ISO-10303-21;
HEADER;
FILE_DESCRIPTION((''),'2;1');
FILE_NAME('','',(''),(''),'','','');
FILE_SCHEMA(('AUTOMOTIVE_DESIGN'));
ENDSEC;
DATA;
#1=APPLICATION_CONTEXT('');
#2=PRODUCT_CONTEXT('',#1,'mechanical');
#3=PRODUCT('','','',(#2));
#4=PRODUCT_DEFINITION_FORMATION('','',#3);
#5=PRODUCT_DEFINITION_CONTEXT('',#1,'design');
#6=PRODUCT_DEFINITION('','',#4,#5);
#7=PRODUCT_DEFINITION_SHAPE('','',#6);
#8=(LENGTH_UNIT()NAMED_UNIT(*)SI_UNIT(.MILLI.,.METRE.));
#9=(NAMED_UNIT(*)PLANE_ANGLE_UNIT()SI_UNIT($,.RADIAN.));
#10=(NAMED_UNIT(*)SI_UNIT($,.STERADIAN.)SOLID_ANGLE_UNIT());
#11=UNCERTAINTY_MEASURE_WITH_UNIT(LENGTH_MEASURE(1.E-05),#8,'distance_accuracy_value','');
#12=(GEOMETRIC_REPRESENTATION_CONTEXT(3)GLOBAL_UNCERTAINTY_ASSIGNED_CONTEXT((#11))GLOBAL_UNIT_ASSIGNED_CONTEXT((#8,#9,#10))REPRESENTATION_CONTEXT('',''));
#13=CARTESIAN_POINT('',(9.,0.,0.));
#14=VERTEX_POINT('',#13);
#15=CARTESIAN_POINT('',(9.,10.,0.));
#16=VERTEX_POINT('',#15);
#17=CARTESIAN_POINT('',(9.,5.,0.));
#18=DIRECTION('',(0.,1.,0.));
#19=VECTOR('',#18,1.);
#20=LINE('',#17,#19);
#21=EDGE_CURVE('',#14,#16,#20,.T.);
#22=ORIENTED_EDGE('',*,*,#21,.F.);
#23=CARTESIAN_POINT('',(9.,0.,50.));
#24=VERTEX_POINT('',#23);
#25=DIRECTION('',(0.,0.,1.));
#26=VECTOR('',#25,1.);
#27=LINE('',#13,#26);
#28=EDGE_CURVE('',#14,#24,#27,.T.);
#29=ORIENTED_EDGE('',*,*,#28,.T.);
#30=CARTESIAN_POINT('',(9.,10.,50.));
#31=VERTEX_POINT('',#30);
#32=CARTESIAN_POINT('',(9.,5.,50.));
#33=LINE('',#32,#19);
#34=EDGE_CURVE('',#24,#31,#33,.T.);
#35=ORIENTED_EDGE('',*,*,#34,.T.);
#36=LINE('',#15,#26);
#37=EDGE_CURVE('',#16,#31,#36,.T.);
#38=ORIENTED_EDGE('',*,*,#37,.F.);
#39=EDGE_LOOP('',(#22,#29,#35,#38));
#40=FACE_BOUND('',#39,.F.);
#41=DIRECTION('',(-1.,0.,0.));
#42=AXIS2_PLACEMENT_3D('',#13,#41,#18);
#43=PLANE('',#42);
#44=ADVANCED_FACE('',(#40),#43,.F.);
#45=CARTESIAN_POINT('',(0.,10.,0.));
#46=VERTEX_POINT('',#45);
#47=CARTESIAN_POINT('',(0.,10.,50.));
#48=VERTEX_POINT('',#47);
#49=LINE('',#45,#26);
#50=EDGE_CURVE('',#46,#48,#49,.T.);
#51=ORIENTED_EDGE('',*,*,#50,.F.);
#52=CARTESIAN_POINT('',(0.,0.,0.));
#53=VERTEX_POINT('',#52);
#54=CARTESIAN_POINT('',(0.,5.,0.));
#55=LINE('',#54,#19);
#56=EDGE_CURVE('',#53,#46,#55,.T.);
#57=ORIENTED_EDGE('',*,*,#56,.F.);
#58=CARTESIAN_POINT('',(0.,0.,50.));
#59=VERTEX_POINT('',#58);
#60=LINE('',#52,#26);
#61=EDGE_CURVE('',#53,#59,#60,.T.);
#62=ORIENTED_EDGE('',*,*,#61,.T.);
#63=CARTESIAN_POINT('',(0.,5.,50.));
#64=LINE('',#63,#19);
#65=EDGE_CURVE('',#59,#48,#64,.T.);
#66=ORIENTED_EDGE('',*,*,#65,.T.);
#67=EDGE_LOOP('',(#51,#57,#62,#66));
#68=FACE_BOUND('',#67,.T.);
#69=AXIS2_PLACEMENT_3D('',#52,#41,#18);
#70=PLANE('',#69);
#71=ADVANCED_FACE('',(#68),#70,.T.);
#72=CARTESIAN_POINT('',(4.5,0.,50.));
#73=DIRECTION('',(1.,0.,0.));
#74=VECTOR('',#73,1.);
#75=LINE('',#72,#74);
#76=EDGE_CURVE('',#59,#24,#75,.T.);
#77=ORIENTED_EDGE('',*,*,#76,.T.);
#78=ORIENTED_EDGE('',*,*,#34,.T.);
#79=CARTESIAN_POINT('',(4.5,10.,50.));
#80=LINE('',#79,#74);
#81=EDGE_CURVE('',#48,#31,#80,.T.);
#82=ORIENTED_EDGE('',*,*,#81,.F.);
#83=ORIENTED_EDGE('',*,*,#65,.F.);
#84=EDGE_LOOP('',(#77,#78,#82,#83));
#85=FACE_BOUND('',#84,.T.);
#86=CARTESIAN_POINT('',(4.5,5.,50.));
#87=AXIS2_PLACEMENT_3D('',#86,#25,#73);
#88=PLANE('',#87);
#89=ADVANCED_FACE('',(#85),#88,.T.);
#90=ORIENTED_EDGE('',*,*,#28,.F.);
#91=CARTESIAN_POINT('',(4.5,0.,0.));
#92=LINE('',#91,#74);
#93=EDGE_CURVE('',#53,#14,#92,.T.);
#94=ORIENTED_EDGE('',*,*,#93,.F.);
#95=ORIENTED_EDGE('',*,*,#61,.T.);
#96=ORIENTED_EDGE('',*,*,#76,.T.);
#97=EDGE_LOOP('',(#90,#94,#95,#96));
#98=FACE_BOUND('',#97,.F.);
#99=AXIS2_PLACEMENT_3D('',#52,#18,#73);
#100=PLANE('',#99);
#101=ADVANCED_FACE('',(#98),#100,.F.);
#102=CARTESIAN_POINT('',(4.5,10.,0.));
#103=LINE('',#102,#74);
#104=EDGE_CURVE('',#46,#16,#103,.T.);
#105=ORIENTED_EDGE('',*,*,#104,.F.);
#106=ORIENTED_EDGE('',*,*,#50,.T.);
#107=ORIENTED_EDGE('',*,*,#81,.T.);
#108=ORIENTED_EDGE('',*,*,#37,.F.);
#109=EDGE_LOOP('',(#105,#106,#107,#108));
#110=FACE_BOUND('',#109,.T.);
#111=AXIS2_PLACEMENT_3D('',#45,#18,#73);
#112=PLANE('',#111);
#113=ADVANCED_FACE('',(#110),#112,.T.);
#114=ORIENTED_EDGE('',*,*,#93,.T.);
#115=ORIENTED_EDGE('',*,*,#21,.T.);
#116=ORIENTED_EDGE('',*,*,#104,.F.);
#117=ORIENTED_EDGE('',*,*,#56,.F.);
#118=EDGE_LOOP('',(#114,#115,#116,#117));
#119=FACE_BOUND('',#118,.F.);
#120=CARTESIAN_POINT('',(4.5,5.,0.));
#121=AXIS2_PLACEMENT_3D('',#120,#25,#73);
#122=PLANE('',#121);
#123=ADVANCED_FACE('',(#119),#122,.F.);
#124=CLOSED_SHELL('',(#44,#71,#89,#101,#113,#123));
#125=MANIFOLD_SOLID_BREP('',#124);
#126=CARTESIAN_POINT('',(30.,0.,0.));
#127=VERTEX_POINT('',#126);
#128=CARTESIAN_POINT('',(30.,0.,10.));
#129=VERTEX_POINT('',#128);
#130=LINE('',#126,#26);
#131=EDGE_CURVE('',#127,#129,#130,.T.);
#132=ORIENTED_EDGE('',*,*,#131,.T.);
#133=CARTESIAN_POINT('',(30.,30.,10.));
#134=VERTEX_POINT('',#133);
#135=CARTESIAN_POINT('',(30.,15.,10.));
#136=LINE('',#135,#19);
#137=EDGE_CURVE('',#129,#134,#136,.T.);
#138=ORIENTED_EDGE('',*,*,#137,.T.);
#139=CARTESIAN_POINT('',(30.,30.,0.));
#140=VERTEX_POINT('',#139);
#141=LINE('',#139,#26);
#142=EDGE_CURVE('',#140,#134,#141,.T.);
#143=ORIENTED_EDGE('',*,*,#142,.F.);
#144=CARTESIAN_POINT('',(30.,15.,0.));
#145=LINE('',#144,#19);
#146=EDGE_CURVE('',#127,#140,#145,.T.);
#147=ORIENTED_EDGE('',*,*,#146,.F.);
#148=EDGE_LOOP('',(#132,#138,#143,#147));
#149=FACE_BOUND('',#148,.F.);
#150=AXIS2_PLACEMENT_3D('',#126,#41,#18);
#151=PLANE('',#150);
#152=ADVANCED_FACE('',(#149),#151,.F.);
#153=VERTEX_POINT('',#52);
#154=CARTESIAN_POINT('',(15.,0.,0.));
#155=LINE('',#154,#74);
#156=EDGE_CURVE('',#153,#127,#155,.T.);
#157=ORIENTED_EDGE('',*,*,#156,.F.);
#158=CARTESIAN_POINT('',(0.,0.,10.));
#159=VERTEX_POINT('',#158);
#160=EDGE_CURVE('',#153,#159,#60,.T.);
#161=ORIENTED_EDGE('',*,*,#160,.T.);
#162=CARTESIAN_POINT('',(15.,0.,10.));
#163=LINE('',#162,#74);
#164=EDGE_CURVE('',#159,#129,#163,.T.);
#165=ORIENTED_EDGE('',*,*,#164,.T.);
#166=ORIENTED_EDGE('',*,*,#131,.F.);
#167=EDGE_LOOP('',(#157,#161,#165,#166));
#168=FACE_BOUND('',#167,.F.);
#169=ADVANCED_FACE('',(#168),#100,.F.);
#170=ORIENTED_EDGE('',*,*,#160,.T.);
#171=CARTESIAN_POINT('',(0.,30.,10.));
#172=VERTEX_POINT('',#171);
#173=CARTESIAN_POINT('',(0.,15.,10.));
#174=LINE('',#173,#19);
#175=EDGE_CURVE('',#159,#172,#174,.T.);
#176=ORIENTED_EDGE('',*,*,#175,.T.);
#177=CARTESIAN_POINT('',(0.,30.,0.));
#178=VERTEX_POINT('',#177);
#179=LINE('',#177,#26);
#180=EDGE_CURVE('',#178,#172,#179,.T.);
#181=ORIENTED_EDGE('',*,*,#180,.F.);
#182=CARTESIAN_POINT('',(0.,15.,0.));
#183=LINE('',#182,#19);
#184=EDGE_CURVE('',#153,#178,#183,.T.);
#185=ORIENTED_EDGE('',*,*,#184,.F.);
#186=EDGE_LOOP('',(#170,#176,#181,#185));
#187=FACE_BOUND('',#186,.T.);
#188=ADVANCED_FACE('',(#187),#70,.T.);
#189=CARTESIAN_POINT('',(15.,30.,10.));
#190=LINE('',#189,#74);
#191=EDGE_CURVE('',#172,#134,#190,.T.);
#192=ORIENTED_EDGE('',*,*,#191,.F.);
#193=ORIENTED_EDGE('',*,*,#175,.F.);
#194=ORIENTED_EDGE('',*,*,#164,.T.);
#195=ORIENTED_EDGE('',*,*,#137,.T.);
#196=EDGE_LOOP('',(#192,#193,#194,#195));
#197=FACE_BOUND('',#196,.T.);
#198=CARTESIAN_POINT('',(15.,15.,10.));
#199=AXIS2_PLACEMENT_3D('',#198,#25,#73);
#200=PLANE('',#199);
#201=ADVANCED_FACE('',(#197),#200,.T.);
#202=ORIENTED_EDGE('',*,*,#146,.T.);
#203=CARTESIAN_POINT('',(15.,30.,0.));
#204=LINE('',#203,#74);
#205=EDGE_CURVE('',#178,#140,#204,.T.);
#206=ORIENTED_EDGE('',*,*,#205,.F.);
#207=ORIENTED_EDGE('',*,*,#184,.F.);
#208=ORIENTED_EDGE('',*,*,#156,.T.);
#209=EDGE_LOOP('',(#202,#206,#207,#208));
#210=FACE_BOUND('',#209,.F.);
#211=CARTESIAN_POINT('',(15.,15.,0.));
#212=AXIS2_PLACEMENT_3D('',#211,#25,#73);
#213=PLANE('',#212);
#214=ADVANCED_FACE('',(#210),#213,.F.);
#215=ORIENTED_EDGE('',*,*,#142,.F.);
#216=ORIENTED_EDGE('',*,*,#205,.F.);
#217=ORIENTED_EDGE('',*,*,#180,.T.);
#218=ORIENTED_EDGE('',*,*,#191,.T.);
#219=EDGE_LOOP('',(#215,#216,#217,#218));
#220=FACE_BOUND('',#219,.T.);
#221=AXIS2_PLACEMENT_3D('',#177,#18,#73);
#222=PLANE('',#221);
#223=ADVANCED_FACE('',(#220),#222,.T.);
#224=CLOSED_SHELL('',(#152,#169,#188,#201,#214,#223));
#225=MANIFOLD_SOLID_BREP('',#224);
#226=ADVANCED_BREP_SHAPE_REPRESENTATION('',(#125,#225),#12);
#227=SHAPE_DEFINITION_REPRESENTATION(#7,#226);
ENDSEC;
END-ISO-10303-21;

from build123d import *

# Parameters (mm, degrees)
BOX_W        = 30
BOX_H        = 30
BOX_DEPTH    = 10
BOX001_W     = 9
BOX001_H     = 10
BOX001_DEPTH = 50


with BuildPart() as cube:
    # Box → Box (new body)
    with BuildSketch(Plane.XY):
        with Locations((15, 15)):
            Rectangle(BOX_W, BOX_H)
    extrude(amount=BOX_DEPTH)


with BuildPart() as rectangle:
    # Box001 → Box001 (new body)
    with BuildSketch(Plane.XY):
        with Locations((4.5, 5)):
            Rectangle(BOX001_W, BOX001_H)
    extrude(amount=BOX001_DEPTH)


solid = Compound([cube.part, rectangle.part])
